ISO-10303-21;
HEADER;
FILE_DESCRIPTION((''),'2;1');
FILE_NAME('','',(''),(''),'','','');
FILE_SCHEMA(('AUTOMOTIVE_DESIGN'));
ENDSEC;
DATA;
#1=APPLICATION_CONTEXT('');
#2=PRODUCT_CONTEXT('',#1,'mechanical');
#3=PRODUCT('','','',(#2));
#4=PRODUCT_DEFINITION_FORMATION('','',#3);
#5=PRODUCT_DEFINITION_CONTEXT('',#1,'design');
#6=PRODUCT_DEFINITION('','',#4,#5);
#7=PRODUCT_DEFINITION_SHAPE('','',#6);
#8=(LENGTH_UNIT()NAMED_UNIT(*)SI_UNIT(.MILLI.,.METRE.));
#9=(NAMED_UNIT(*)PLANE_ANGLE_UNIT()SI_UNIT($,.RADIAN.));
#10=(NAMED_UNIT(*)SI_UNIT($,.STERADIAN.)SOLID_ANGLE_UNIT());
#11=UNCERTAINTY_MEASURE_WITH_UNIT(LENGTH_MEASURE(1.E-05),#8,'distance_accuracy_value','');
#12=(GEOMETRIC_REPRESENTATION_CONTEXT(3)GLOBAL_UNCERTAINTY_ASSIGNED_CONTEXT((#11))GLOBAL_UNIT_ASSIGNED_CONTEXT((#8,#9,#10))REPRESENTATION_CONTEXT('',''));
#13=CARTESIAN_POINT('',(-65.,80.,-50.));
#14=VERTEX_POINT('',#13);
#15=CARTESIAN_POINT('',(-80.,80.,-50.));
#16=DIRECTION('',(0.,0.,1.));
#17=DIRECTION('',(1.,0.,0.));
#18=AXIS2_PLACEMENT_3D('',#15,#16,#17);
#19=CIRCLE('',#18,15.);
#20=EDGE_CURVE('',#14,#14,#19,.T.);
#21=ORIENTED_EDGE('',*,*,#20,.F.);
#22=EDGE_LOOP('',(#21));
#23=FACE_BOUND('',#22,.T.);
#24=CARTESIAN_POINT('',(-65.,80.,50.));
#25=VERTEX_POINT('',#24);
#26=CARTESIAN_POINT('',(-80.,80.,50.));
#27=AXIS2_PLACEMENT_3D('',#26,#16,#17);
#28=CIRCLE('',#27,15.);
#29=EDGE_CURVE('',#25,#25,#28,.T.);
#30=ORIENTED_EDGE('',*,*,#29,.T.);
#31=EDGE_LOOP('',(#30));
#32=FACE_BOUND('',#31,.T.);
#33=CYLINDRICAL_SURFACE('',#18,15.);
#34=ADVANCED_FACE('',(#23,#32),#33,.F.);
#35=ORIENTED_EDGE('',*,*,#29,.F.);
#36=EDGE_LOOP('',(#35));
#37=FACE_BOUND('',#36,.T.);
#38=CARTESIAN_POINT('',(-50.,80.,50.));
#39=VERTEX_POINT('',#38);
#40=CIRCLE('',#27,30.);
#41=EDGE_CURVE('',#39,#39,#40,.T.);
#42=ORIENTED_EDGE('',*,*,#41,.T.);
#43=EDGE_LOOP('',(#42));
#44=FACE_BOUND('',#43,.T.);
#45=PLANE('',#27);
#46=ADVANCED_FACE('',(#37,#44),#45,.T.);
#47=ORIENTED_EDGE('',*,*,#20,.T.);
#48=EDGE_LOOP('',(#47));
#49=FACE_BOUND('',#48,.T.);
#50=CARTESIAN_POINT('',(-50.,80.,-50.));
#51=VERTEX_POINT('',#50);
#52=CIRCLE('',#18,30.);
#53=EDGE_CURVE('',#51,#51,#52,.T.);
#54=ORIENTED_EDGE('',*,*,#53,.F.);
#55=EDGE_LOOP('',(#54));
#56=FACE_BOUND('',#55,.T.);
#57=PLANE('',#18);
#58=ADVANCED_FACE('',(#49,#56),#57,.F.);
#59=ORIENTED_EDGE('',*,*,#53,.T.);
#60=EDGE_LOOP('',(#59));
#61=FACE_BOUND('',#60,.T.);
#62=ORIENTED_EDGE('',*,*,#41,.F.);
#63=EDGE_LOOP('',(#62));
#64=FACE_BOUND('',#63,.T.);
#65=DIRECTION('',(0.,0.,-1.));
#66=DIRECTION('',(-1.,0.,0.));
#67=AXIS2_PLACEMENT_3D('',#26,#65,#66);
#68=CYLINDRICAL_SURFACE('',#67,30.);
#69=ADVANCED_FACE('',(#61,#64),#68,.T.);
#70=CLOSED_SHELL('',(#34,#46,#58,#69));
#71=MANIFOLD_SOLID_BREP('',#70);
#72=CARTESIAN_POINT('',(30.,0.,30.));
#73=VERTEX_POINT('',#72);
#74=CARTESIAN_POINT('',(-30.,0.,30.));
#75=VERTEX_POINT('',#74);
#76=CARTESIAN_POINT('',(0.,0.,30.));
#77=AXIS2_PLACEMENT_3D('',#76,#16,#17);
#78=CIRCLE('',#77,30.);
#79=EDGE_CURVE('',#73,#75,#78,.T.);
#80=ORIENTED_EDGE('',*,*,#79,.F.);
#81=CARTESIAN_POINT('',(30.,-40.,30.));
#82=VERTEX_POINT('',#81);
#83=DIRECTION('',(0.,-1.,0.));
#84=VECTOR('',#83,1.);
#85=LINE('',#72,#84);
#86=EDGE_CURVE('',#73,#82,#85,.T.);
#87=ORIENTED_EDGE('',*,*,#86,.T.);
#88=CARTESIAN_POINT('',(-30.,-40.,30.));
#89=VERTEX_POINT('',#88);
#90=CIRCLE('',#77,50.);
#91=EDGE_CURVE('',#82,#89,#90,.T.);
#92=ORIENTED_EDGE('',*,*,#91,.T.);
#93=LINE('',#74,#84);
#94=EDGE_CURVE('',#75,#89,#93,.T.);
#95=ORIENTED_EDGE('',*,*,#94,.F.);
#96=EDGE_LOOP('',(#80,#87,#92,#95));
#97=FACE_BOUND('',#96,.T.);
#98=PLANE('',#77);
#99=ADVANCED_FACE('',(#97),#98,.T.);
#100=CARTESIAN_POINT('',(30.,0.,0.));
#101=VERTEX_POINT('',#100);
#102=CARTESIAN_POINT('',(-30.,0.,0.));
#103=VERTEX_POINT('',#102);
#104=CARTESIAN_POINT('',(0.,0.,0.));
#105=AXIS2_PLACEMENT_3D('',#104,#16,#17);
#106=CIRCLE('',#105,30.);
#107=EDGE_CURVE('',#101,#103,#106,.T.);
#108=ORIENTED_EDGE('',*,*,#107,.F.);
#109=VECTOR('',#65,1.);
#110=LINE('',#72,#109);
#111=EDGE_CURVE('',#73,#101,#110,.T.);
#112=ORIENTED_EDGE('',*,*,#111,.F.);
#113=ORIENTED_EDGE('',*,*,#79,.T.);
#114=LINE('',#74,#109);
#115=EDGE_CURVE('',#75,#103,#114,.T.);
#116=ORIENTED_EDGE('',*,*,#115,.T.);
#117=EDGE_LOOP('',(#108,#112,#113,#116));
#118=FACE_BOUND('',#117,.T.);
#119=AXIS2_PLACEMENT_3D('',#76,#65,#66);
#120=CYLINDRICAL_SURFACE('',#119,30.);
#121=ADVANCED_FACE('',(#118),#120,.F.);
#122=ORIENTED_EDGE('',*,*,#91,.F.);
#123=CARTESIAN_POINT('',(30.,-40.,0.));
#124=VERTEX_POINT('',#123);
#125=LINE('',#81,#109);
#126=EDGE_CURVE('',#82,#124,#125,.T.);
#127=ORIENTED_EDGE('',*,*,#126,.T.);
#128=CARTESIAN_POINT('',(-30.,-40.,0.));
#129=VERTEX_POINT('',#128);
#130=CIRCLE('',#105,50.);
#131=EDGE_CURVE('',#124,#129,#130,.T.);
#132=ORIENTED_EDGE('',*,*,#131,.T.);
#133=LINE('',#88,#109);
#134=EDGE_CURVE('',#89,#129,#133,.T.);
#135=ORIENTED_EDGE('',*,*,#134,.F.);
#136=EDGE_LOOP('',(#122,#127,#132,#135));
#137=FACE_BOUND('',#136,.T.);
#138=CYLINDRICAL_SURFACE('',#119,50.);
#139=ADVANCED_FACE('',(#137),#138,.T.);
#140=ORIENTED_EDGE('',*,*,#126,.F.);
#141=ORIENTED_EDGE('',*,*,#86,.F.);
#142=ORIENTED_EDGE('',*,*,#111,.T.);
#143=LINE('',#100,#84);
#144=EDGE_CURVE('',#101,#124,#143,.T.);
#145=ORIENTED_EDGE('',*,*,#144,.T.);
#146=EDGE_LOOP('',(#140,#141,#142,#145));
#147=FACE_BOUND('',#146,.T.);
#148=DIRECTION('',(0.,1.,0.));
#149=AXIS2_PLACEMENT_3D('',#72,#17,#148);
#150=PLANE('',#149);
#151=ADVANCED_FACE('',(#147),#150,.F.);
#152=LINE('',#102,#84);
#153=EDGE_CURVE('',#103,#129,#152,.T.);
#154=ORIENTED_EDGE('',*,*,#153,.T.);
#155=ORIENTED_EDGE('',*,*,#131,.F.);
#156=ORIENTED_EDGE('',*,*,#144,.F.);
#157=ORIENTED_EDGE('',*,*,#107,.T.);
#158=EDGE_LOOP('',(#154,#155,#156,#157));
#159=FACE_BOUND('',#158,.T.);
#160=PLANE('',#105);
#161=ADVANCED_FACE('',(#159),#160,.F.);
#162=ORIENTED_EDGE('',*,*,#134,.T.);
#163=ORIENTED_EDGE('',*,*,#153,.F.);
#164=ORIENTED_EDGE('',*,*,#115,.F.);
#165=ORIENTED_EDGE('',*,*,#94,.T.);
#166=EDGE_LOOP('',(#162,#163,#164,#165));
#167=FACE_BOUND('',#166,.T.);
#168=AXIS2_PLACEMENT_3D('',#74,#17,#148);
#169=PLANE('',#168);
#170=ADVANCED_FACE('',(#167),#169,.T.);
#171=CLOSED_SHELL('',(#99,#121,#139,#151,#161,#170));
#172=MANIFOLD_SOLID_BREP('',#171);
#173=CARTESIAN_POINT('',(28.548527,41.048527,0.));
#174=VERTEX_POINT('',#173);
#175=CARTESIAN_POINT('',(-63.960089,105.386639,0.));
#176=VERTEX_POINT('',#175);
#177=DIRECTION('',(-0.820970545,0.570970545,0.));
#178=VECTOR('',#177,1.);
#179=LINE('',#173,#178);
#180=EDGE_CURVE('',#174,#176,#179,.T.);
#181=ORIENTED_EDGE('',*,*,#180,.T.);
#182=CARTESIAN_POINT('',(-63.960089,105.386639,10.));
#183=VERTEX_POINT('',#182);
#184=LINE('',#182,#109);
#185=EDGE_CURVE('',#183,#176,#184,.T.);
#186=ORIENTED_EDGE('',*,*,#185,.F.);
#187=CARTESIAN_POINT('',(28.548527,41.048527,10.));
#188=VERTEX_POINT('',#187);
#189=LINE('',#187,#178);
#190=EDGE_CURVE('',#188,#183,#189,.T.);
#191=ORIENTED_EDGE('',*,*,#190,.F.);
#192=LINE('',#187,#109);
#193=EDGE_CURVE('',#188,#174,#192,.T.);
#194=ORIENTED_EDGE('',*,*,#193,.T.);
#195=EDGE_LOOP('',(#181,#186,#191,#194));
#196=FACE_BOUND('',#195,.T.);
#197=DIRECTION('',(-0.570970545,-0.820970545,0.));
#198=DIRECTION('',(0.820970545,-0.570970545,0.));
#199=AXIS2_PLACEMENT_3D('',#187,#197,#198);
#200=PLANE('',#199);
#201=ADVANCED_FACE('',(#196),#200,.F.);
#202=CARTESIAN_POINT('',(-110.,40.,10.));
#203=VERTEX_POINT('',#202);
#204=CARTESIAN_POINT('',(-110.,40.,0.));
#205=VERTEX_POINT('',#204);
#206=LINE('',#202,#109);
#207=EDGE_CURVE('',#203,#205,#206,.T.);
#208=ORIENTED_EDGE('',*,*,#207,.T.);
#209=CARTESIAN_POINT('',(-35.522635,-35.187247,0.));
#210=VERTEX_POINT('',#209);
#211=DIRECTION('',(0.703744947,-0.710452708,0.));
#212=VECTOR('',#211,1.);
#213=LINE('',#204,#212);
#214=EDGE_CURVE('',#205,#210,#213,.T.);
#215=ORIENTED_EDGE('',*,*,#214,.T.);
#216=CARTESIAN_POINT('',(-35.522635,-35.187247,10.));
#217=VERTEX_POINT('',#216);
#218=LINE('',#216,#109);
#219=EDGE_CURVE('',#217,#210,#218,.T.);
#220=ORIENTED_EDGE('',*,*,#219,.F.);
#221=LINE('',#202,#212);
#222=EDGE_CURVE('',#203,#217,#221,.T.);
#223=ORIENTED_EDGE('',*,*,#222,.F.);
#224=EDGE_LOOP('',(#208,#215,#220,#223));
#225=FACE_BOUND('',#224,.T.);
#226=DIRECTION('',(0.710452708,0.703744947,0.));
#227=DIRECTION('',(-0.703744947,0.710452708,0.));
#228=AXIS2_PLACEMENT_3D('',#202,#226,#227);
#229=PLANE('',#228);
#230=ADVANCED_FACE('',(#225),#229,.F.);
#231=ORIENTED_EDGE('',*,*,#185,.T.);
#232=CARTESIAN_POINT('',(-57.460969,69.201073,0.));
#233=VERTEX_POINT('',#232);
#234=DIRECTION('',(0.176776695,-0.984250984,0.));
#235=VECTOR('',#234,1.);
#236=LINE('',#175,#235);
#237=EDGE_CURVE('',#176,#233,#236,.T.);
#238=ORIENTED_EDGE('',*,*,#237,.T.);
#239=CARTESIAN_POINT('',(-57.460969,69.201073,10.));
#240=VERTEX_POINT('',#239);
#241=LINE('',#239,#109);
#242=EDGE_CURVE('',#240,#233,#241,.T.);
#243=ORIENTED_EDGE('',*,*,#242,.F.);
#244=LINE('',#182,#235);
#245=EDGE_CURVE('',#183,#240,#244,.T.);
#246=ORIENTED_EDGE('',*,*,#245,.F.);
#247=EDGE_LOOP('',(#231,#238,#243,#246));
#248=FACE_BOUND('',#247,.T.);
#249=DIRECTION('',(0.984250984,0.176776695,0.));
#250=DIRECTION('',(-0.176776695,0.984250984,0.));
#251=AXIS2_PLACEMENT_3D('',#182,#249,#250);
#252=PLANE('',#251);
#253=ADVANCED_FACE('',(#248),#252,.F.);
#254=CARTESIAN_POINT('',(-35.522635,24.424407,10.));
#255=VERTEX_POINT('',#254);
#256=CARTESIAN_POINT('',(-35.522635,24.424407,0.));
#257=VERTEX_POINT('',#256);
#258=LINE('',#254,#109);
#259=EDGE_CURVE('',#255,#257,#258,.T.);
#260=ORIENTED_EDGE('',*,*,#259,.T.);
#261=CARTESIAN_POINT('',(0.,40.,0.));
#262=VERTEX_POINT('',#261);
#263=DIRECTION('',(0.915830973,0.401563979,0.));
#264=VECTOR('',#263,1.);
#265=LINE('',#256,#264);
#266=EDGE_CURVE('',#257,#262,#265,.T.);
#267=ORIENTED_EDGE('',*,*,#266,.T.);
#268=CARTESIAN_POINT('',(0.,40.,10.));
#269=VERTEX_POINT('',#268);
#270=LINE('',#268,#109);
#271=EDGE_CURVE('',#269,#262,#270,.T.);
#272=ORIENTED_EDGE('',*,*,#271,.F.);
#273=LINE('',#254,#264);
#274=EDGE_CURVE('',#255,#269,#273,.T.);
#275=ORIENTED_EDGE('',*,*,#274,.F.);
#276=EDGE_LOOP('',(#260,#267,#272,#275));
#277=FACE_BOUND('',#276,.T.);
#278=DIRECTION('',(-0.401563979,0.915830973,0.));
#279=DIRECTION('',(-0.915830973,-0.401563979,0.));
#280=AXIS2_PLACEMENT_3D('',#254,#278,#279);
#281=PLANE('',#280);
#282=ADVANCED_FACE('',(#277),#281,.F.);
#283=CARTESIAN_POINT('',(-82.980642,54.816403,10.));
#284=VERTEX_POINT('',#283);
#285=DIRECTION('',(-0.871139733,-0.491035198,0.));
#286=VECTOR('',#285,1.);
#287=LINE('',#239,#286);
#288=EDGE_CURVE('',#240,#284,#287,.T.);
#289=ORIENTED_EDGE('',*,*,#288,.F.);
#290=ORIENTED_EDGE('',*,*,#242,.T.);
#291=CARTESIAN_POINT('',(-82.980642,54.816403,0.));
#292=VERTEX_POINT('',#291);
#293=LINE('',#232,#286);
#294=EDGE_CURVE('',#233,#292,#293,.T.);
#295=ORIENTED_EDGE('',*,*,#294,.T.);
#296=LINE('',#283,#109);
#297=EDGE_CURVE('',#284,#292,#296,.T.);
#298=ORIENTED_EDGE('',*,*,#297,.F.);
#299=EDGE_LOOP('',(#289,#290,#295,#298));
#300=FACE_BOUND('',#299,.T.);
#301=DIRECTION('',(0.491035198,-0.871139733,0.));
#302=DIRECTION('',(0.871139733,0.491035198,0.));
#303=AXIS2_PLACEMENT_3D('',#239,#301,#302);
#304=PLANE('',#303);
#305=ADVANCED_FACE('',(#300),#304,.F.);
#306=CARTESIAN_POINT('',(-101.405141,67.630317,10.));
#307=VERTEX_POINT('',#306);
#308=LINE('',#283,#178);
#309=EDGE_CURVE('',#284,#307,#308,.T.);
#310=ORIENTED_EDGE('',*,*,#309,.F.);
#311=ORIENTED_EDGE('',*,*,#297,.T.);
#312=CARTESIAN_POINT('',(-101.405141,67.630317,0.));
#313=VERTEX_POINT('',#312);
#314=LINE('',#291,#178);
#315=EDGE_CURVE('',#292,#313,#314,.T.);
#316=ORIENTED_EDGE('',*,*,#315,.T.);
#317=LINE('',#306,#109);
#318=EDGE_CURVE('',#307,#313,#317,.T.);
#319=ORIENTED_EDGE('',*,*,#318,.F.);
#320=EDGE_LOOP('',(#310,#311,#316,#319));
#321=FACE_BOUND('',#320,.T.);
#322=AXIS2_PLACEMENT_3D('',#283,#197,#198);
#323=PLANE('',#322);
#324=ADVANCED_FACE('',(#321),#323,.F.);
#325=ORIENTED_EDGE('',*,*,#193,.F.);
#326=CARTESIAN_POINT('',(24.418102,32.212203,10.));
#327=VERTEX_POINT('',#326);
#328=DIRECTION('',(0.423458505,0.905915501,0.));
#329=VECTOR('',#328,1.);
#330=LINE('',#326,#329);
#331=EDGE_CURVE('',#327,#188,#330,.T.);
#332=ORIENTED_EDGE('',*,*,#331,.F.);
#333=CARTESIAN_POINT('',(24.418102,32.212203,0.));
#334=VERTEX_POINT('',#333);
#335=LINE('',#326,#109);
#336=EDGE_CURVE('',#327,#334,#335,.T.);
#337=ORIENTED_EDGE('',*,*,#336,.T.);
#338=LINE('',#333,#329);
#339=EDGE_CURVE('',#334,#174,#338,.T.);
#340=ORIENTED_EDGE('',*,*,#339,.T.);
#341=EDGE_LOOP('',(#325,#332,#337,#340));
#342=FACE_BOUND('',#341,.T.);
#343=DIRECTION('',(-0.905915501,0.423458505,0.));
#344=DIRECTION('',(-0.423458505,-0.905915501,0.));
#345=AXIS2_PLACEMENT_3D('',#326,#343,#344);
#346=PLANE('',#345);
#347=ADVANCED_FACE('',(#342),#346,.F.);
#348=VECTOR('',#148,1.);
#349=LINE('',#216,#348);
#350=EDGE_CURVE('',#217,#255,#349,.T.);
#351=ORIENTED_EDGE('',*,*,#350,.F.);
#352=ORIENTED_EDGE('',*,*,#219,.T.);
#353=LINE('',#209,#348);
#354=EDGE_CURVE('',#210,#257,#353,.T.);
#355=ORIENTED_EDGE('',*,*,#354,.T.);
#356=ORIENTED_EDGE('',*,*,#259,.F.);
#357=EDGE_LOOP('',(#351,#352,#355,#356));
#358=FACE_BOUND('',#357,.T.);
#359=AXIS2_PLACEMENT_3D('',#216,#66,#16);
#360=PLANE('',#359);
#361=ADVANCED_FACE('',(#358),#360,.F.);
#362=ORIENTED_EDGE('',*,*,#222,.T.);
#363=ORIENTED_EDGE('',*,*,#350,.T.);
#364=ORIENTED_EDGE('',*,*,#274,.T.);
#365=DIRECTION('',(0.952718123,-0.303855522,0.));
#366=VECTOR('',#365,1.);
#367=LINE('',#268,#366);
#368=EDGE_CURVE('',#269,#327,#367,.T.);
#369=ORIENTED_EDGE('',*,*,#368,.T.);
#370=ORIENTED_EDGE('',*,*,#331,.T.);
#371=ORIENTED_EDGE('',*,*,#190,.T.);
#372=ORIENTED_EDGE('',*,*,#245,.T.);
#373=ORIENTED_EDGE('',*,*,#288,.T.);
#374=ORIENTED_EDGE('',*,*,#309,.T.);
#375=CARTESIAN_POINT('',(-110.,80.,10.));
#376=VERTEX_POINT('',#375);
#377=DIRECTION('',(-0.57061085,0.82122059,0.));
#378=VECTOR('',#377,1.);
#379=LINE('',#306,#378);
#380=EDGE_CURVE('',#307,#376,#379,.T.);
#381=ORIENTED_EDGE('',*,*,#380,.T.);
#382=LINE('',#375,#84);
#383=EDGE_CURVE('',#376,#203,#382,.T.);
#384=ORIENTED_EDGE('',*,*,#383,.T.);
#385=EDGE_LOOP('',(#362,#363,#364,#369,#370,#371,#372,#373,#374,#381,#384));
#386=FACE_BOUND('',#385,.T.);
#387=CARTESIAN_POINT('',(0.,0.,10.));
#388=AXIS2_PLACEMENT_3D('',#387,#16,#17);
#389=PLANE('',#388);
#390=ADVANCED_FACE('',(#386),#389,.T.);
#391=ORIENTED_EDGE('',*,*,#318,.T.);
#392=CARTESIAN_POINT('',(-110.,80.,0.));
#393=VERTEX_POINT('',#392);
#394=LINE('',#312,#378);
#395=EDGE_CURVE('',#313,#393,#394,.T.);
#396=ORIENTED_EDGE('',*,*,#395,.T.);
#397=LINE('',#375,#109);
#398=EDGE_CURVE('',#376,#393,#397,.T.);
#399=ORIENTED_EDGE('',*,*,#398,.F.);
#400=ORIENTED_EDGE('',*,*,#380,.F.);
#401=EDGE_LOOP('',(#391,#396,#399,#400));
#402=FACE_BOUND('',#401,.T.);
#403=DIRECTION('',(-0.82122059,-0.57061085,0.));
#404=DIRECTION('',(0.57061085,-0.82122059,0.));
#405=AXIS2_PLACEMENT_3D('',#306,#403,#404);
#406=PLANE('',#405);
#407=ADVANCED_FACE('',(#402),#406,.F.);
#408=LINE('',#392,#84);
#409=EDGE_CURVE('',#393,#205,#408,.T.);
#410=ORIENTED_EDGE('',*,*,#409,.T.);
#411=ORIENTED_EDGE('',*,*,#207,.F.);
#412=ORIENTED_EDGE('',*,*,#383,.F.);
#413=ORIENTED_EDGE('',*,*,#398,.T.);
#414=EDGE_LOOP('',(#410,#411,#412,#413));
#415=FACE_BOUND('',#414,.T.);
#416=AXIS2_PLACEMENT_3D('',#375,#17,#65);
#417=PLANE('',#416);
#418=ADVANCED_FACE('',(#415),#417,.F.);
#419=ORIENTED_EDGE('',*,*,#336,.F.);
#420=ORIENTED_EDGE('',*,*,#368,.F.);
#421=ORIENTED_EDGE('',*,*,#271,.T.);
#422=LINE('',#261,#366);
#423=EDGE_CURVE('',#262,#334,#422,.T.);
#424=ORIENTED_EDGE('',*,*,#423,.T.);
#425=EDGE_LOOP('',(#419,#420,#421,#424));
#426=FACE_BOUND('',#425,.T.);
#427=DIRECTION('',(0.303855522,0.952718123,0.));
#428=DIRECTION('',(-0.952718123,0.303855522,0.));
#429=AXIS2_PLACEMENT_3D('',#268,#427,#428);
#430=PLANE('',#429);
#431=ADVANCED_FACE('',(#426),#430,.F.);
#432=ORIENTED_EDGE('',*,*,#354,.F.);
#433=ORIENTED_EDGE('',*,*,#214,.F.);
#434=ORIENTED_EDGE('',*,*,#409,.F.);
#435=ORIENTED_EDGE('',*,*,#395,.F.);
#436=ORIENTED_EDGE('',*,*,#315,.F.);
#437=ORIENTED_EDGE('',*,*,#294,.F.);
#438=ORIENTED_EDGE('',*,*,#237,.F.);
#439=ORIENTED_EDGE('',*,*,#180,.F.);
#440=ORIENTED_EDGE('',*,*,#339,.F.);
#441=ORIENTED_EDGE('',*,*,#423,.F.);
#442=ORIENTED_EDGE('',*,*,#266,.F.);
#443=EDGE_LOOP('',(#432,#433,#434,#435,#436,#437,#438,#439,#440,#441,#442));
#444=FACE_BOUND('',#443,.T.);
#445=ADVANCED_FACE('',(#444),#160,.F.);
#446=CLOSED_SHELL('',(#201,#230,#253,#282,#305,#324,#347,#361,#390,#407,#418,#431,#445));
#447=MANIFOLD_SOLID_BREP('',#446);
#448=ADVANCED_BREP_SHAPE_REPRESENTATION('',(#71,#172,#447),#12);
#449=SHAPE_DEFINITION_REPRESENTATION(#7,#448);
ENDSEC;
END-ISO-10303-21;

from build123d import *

# Parameters (mm, degrees)
BOSS_EXTRUDE1_DEPTH = 30
SKETCH1_3_R         = 30
BOSS_EXTRUDE2_DEPTH = 50
SKETCH1_4_R         = 15
CUT_EXTRUDE1_DEPTH  = 50
BOSS_EXTRUDE4_DEPTH = 10


with BuildPart() as part:
    # Sketch1 → Boss-Extrude1 (new body)
    with BuildSketch(Plane.XY):
        with BuildLine():
            Line((-30, 0), (-30, -40))
            ThreePointArc((-30, -40), (0, 50), (30, -40))
            Line((30, -40), (30, 0))
            ThreePointArc((30, 0), (0, 30), (-30, 0))
        make_face()
    extrude(amount=BOSS_EXTRUDE1_DEPTH)


with BuildPart() as body_2:
    # Sketch1<3> → Boss-Extrude2 (new, symmetric)
    with BuildSketch(Plane.XY):
        with Locations((-80, 80)):
            Circle(SKETCH1_3_R)
    extrude(amount=BOSS_EXTRUDE2_DEPTH, both=True)

    # Sketch1<4> → Cut-Extrude1 (cut, symmetric)
    with BuildSketch(Plane.XY):
        with Locations((-80, 80)):
            Circle(SKETCH1_4_R)
    extrude(amount=CUT_EXTRUDE1_DEPTH, both=True, mode=Mode.SUBTRACT)


with BuildPart() as body_3:
    # Sketch2 → Boss-Extrude4 (new body)
    with BuildSketch(Plane.XY):
        Polygon((-110, 80), (-110, 40), (-35.522635393, -35.187247331), (-35.522635393, 24.424406647), (0, 40), (24.418101719, 32.212203323), (28.548527268, 41.048527268), (-63.960088523, 105.386639161), (-57.46096906, 69.201073422), (-82.980642429, 54.816403079), (-101.405140795, 67.630316976), align=None)
    extrude(amount=BOSS_EXTRUDE4_DEPTH)


solid = Compound([part.part, body_2.part, body_3.part])
